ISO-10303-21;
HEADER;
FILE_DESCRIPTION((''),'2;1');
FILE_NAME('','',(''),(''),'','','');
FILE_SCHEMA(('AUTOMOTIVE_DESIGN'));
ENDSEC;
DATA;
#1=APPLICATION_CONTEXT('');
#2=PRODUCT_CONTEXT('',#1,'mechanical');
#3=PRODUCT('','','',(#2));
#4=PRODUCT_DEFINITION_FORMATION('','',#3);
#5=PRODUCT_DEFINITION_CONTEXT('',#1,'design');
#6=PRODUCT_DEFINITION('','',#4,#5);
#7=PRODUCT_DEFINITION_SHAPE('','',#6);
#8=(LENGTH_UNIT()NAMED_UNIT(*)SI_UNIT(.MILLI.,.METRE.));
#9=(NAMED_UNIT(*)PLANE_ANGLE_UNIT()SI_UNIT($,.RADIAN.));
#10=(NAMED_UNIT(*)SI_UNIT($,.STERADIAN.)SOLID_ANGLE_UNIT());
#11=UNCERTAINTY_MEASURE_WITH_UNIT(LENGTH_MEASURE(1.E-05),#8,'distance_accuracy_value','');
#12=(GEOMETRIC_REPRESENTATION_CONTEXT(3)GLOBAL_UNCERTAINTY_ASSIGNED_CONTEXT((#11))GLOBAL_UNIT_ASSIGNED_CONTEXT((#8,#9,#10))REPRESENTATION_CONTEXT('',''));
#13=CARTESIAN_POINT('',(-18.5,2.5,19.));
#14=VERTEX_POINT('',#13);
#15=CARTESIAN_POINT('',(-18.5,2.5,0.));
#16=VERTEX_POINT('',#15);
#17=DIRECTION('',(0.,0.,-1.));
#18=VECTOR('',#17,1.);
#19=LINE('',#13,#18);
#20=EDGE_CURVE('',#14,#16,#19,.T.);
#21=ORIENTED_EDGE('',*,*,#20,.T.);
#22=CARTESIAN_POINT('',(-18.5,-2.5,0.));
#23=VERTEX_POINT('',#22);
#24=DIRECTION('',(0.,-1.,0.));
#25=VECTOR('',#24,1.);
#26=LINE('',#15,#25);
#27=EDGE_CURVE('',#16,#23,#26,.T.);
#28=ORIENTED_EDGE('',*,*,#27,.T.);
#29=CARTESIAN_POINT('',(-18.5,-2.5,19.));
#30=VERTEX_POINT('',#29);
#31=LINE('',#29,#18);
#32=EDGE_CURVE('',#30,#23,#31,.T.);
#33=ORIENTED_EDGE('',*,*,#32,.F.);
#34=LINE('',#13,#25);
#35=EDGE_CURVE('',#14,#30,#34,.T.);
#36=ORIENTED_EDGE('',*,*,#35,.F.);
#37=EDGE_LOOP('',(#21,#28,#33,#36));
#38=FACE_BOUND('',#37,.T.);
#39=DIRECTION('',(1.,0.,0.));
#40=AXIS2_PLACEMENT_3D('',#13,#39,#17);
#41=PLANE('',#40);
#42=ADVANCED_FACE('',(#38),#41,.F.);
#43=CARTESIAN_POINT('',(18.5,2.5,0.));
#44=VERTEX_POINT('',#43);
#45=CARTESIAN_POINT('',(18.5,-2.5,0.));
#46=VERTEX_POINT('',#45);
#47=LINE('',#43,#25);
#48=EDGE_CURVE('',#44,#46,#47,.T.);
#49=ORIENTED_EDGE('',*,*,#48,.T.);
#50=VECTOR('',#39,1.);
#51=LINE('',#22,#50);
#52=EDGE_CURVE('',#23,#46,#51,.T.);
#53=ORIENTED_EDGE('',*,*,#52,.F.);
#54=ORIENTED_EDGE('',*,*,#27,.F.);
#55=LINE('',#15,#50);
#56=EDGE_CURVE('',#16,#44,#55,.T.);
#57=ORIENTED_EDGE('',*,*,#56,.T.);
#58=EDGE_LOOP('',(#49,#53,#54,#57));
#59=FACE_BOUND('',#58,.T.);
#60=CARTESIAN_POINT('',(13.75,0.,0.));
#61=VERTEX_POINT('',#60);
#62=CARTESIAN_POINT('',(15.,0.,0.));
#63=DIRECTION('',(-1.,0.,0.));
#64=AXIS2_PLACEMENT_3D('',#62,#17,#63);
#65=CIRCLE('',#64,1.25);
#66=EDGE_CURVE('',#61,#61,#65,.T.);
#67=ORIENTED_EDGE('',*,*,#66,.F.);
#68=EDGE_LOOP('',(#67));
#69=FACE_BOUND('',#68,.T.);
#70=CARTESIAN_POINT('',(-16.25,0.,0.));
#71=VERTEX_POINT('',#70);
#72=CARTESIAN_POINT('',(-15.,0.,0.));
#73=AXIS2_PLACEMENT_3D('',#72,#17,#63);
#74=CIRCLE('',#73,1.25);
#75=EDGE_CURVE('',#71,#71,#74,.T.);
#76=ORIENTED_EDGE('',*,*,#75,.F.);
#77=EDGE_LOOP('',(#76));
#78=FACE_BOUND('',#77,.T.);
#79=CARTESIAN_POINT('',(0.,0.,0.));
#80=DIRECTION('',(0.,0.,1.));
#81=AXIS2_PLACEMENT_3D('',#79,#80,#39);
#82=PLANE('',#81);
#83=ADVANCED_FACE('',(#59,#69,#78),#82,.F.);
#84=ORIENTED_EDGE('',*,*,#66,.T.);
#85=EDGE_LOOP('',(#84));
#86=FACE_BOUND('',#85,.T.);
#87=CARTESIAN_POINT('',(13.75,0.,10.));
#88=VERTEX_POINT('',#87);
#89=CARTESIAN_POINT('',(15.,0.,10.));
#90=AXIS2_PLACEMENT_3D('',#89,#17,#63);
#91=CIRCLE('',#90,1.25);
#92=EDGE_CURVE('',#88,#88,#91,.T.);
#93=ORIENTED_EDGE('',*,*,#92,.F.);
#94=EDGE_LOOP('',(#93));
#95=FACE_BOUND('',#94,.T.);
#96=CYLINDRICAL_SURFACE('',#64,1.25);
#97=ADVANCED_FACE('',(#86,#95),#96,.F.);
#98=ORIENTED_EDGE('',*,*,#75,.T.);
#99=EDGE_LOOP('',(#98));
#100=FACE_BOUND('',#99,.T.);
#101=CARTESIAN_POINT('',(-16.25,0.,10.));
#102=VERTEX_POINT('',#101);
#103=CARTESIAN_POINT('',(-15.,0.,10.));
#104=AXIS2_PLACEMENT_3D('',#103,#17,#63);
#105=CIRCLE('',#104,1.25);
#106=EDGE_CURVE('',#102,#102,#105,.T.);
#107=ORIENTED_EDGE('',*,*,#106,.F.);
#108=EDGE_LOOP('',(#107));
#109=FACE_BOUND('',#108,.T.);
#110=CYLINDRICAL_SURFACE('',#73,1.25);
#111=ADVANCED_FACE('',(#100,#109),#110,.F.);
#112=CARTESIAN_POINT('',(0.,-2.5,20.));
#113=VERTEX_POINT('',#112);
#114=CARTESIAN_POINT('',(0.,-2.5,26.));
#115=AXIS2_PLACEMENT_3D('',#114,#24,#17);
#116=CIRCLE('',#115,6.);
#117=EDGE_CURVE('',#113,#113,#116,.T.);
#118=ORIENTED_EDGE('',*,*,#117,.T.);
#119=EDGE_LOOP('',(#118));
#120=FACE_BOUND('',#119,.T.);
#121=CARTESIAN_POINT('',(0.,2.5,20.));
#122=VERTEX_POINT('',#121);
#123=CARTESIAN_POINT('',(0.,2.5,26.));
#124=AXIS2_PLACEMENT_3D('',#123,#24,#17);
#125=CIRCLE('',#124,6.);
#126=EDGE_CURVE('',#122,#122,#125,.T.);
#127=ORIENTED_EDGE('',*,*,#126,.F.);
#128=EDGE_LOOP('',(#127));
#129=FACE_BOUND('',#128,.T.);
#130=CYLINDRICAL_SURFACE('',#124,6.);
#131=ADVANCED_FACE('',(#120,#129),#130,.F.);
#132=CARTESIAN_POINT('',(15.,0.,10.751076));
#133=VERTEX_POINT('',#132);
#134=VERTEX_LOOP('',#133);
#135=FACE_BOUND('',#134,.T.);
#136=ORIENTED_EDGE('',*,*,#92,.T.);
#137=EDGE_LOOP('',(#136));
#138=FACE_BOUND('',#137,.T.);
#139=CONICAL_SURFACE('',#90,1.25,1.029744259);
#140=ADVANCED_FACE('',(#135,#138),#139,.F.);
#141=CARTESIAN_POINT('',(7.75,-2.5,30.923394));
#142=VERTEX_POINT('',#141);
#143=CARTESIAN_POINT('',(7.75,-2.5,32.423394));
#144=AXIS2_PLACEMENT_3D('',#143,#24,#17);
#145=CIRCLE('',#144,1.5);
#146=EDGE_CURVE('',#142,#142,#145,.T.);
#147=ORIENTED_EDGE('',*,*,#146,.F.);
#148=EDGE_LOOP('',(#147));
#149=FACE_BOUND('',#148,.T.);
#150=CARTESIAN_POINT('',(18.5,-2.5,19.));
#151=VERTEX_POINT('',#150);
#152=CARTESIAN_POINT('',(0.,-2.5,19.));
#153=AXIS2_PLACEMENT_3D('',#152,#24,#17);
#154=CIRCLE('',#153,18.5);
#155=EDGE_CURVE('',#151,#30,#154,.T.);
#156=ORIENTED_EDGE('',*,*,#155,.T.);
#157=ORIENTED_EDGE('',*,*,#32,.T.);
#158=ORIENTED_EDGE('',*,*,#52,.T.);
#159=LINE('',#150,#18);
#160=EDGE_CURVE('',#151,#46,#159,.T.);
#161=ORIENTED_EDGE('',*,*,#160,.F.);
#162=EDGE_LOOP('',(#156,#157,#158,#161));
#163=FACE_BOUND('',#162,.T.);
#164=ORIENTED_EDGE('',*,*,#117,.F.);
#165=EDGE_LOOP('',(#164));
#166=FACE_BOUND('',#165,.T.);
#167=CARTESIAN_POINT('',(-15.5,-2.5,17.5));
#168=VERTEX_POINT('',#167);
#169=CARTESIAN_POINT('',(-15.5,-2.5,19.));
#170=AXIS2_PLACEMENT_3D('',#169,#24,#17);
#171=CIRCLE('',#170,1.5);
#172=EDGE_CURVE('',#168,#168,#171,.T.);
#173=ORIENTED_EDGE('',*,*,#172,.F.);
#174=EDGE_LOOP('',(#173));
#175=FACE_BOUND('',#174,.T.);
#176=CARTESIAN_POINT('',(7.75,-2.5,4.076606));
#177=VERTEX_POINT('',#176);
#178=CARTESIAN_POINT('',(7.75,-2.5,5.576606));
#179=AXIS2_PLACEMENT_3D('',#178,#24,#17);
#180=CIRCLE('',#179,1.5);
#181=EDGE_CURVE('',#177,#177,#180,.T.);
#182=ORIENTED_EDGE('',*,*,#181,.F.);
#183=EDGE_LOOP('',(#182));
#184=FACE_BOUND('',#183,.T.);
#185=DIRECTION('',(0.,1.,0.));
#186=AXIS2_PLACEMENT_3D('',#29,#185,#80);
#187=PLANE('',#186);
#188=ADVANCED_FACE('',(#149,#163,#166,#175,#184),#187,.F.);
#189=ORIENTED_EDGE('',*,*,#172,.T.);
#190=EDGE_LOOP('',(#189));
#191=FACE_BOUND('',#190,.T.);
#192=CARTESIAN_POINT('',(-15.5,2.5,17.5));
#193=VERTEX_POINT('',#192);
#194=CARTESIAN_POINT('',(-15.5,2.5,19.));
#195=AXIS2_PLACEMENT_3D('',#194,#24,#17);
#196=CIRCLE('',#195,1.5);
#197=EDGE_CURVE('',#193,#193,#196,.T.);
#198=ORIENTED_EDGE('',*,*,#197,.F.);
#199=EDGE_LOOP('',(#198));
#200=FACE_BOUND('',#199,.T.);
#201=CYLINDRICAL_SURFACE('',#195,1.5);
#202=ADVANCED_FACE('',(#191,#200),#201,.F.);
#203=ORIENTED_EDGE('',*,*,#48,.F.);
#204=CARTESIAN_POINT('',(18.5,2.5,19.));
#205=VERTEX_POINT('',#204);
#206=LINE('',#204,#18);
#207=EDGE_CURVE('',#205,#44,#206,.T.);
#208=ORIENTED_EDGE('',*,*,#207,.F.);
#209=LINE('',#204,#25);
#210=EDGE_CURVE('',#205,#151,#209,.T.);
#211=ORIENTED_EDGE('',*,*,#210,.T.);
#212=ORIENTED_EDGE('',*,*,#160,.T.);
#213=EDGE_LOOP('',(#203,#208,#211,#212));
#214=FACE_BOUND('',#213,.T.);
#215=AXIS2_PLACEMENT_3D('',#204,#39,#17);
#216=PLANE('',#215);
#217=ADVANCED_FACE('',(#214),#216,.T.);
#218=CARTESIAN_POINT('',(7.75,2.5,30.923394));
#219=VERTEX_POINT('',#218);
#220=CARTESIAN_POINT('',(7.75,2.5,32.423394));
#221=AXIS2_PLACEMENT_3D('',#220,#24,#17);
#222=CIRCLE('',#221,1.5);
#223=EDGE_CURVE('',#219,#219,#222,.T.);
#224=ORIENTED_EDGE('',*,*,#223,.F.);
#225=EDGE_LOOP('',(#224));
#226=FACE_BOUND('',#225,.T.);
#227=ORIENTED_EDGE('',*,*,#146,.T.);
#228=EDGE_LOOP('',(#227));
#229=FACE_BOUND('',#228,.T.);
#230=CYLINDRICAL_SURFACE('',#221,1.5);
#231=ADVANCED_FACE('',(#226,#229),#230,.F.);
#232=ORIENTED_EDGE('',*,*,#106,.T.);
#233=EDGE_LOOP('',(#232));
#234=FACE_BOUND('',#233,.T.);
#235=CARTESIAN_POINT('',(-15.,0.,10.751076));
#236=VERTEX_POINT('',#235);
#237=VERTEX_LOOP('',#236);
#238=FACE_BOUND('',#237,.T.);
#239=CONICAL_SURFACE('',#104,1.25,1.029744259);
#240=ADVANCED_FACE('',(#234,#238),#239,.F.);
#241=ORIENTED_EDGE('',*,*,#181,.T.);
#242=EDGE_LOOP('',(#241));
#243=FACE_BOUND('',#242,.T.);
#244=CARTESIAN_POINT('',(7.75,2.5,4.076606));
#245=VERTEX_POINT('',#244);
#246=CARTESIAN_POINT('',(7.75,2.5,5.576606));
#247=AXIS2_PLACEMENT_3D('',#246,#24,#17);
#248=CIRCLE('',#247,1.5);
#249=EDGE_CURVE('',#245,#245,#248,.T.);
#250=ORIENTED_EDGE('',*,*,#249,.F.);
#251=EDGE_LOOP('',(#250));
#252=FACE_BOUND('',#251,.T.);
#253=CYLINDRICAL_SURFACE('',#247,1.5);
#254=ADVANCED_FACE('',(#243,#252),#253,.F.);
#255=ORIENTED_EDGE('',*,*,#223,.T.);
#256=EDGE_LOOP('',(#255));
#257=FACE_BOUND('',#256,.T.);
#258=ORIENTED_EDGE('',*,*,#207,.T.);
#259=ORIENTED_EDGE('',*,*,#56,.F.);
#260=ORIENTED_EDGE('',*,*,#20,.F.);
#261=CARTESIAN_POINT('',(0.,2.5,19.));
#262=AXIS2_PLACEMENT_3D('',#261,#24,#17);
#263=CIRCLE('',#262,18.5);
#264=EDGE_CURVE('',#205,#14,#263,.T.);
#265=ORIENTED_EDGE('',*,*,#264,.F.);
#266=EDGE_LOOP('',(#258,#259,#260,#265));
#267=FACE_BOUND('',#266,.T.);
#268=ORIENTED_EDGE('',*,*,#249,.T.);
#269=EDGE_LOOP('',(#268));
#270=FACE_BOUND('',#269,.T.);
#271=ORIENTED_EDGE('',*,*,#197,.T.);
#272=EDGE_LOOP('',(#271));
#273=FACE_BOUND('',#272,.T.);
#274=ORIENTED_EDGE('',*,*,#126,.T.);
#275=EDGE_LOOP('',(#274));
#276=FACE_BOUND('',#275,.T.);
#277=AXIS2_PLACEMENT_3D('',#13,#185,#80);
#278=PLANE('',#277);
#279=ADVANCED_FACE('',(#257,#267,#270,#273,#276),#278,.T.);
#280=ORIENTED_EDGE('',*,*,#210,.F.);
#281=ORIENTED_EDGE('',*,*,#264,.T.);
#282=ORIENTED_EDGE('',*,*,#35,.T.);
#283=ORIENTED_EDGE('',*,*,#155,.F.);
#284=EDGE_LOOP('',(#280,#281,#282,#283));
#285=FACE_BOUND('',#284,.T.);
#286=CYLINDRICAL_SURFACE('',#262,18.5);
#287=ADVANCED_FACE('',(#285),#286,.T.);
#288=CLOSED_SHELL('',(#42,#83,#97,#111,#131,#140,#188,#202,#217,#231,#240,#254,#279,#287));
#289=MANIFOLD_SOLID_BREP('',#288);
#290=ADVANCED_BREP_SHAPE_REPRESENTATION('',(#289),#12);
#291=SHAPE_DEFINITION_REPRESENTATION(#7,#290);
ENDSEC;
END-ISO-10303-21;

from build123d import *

# Parameters (mm, degrees)
SKETCH_1_W          = 37
SKETCH_1_H          = 5
EXTRUDE_1_DEPTH     = 19
SKETCH_2_R          = 18.5
EXTRUDE_2_DEPTH     = 5
SKETCH_3_R          = 6
SKETCH_3_R_2        = 1.5
CUT_EXTRUDE_1_DEPTH = 5
M3X0_5_1_D          = 2.5
M3X0_5_1_DEPTH      = 10
M3X0_5_1_TIP        = 0.751075774


with BuildPart() as part:
    # ｽｹｯﾁ1 → ﾎﾞｽ - 押し出し1 (new body)
    with BuildSketch(Plane.XY):
        Rectangle(SKETCH_1_W, SKETCH_1_H)
    extrude(amount=EXTRUDE_1_DEPTH)

    # ｽｹｯﾁ2 → ﾎﾞｽ - 押し出し2 (add)
    with BuildSketch(Plane.XZ.offset(2.5)):
        with Locations((0, 19)):
            Circle(SKETCH_2_R)
    extrude(amount=-EXTRUDE_2_DEPTH)

    # ｽｹｯﾁ3 → ｶｯﾄ - 押し出し1 (cut)
    with BuildSketch(Plane.XZ.offset(2.5)):
        with Locations(Location((0, 26, 0), (0, 0, 270))):  # turned: the seam where the file's is
            Circle(SKETCH_3_R)
        with Locations(Location((-15.5, 19, 0), (0, 0, 270))):  # turned: the seam where the file's is
            Circle(SKETCH_3_R_2)
        with Locations(Location((7.75, 5.576606241, 0), (0, 0, 270))):  # turned: the seam where the file's is
            Circle(SKETCH_3_R_2)
        with Locations(Location((7.75, 32.423393759, 0), (0, 0, 270))):  # turned: the seam where the file's is
            Circle(SKETCH_3_R_2)
    extrude(amount=-CUT_EXTRUDE_1_DEPTH, mode=Mode.SUBTRACT)

    # M3x0.5 ねじ穴1
    with Locations(Plane(origin=(0, 0, 0), x_dir=(-1, 0, 0), z_dir=(0, 0, -1))):
        with Locations((15, 0), (-15, 0)):
            Hole(M3X0_5_1_D / 2, depth=M3X0_5_1_DEPTH)
            with Locations((0, 0, -(M3X0_5_1_DEPTH + M3X0_5_1_TIP / 2))):  # 118° drill point
                Cone(0, M3X0_5_1_D / 2, M3X0_5_1_TIP, mode=Mode.SUBTRACT)


solid = part.part
